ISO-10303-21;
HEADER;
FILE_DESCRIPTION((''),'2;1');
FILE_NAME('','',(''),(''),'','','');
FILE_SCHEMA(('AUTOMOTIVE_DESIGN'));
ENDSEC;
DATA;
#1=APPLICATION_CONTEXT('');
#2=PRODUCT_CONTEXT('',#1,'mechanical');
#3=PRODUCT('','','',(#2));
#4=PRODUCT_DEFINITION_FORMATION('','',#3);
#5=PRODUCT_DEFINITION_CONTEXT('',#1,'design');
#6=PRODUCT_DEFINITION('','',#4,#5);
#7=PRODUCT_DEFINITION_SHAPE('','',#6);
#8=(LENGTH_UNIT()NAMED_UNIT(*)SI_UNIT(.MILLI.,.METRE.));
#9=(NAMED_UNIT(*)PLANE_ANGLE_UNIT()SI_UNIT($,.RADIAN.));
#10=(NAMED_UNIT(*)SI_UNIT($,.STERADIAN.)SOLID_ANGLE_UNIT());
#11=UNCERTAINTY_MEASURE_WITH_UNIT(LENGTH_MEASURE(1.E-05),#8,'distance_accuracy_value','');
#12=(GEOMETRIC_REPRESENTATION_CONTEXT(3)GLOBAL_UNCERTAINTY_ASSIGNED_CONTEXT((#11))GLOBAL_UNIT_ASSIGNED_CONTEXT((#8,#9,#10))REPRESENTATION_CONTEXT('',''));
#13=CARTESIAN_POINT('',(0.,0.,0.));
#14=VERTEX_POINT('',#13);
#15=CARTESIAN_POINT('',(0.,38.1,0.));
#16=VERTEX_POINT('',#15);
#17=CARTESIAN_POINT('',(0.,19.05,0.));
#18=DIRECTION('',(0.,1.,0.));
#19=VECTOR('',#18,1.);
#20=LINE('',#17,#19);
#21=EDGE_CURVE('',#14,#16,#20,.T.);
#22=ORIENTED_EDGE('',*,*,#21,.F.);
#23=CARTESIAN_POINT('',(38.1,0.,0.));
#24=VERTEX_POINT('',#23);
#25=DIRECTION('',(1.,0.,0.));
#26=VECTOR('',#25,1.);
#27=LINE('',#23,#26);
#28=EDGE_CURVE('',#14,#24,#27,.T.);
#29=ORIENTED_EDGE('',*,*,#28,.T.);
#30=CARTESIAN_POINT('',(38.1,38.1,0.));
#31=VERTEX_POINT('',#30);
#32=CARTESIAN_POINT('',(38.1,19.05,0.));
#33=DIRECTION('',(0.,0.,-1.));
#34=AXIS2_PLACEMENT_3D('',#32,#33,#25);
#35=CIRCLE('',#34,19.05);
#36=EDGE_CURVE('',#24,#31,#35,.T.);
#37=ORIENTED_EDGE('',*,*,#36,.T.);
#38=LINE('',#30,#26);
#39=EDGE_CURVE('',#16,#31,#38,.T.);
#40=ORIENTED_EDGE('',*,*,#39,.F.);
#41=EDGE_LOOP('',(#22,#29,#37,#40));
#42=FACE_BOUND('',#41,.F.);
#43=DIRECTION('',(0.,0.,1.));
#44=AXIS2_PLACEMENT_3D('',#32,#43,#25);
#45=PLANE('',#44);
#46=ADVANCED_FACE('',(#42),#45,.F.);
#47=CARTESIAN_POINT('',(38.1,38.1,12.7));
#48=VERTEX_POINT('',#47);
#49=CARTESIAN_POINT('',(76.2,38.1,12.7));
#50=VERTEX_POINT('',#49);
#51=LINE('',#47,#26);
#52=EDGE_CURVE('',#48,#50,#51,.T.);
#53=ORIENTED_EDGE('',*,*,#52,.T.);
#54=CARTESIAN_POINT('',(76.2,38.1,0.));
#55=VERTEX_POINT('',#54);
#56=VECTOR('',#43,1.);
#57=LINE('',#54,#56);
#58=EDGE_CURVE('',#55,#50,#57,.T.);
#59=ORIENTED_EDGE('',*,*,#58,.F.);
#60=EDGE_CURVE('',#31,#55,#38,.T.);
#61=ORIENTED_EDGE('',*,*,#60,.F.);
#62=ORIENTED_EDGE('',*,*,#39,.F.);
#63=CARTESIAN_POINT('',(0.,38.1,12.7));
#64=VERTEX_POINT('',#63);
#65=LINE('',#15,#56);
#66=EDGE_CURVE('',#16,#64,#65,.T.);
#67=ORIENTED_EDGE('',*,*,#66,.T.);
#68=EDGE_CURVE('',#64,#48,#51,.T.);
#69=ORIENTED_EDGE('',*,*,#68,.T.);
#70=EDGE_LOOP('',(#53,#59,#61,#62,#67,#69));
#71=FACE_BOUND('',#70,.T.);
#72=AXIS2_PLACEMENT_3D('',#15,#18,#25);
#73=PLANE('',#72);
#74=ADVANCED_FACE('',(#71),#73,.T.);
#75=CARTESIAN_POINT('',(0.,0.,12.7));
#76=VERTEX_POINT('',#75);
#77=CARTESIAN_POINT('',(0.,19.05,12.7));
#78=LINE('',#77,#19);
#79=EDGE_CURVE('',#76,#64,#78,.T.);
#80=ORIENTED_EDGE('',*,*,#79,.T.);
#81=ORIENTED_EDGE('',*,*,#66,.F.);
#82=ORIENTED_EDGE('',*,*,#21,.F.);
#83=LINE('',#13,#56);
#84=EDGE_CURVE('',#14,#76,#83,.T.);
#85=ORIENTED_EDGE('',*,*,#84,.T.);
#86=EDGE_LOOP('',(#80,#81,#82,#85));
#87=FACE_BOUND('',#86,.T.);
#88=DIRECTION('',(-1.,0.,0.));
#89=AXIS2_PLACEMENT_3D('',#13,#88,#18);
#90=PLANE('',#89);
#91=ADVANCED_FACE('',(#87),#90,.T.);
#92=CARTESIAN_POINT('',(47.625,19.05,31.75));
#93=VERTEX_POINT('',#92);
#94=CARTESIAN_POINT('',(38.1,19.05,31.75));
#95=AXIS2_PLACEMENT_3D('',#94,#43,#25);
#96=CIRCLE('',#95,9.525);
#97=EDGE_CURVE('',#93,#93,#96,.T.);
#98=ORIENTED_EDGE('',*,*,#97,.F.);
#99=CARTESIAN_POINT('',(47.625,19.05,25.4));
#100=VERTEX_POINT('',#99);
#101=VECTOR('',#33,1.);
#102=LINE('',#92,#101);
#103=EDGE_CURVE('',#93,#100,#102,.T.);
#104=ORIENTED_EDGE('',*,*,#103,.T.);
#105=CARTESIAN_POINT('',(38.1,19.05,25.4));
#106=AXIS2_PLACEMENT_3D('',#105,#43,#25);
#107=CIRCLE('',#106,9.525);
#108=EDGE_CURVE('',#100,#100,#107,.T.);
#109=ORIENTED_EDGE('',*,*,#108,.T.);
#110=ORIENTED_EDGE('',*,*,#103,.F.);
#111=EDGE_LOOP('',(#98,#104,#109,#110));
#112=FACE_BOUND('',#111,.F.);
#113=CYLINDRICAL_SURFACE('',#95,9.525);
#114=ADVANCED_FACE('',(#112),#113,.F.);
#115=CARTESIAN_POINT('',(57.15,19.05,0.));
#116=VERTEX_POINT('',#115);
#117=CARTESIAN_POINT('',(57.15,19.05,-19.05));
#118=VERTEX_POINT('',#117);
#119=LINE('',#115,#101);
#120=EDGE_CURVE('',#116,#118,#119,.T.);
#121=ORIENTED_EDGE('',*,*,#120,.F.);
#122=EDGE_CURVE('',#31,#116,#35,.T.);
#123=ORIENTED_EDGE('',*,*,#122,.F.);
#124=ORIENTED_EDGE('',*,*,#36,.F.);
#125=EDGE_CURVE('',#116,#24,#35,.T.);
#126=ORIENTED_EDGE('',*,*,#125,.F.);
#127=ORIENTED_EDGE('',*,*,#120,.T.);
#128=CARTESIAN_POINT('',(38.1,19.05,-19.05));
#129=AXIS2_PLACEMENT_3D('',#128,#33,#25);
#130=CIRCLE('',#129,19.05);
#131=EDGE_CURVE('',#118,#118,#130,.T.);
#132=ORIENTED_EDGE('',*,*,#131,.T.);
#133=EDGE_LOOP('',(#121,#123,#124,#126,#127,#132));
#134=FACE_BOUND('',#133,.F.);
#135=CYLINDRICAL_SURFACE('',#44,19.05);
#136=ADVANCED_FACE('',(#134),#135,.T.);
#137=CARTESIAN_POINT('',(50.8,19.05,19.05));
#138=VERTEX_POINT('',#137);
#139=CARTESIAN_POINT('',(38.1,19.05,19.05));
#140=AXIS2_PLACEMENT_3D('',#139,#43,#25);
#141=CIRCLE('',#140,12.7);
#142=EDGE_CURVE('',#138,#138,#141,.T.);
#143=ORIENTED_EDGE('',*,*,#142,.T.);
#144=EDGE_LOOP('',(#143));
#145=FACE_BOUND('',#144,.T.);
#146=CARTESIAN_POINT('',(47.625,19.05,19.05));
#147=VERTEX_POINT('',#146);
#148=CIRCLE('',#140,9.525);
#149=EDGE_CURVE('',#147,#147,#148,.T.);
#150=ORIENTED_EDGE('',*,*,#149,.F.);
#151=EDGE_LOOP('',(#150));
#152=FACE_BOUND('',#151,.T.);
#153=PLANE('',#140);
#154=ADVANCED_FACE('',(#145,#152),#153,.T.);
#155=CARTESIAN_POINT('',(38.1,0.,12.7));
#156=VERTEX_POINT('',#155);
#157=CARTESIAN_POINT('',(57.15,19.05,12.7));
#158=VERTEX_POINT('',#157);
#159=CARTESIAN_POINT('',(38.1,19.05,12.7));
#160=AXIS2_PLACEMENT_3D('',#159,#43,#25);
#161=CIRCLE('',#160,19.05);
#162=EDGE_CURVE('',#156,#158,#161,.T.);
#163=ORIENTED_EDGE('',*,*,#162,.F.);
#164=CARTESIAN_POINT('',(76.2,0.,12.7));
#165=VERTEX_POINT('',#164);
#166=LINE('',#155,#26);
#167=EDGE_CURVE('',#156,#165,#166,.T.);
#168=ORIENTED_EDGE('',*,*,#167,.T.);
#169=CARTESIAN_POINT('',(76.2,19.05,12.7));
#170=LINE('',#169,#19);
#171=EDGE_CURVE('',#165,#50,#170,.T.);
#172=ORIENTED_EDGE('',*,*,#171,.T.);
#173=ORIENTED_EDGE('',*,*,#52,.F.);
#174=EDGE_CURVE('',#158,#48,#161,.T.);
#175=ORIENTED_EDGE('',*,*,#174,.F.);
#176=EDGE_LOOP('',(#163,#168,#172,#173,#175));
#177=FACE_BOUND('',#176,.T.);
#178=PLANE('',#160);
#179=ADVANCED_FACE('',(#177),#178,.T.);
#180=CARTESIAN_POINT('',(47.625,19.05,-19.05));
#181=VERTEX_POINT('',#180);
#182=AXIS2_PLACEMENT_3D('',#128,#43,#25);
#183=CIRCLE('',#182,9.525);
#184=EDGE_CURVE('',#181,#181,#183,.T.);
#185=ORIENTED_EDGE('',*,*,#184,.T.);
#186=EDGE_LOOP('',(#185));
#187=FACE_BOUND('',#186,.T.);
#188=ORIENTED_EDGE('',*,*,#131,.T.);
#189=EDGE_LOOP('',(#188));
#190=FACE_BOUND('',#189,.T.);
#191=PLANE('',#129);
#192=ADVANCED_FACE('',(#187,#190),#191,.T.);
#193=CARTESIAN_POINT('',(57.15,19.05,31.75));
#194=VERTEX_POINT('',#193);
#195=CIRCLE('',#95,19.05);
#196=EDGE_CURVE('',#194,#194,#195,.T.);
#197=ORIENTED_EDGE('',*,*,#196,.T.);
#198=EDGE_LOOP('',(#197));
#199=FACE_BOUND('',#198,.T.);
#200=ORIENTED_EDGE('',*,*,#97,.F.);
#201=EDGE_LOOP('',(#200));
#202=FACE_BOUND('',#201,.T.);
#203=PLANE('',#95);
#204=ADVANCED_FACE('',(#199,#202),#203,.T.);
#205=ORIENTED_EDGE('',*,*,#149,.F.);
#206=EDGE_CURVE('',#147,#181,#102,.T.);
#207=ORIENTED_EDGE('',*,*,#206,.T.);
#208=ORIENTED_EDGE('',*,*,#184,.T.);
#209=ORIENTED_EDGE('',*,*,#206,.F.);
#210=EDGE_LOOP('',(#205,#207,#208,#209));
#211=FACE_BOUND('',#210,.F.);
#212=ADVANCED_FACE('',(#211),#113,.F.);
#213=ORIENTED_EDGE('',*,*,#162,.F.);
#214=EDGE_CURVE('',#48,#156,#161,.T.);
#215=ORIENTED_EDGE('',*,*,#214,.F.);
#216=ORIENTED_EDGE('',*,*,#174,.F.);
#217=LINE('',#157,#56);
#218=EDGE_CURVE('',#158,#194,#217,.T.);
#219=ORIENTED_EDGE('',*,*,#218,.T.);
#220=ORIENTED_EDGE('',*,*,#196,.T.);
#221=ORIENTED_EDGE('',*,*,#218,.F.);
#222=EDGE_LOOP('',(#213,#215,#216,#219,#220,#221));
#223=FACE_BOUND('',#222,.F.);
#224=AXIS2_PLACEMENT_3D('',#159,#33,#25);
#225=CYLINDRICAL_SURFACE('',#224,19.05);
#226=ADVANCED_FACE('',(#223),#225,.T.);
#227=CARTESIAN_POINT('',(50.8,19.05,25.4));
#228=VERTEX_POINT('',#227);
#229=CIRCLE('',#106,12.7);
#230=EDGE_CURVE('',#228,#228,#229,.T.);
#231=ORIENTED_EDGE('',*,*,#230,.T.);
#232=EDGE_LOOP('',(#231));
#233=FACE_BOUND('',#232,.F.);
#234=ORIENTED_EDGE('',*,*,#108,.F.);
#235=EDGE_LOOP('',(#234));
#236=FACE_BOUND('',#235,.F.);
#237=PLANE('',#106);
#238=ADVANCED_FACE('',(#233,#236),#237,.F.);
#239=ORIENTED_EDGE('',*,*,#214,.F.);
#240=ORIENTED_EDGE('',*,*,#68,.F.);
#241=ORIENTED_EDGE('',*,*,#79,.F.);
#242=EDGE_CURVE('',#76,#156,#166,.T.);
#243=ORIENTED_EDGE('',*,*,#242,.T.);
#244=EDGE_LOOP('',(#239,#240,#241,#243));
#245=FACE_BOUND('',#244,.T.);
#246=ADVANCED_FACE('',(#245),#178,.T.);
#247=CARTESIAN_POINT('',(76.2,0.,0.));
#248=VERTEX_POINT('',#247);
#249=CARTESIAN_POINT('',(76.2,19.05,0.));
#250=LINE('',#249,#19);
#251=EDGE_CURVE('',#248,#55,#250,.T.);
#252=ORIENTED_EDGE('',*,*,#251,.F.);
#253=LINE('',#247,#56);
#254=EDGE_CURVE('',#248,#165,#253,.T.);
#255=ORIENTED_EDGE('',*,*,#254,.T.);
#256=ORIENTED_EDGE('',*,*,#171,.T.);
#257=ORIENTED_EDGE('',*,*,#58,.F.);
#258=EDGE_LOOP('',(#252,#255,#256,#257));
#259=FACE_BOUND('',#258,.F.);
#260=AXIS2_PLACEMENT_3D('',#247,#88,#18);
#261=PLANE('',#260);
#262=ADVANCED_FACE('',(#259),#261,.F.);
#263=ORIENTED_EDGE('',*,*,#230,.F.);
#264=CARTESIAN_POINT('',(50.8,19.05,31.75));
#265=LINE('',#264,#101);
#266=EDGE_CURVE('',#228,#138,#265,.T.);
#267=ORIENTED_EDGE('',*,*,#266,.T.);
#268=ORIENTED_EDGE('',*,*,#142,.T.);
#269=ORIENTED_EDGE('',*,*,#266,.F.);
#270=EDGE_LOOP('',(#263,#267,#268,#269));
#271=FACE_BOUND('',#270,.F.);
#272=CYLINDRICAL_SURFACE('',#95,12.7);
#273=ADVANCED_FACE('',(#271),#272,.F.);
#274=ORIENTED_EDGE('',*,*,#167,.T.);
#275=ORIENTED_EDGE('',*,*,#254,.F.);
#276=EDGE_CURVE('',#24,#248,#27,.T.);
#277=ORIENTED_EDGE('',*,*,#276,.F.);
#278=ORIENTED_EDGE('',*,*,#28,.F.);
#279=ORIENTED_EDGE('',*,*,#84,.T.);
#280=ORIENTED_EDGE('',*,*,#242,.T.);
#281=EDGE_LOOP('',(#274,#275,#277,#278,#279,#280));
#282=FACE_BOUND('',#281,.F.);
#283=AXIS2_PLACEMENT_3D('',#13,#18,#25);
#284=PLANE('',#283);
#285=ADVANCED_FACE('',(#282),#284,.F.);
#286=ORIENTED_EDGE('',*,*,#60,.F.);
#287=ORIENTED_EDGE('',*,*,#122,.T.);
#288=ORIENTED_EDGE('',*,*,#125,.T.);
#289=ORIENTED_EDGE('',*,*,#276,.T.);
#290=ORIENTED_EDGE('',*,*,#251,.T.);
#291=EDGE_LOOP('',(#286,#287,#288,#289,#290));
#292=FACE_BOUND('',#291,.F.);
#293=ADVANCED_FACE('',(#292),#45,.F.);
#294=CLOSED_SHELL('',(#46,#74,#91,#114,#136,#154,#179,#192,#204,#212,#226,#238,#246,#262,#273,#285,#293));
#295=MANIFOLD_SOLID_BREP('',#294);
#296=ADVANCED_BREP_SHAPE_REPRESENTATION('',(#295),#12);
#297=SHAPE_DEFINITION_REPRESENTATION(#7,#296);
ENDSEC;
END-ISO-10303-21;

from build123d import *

# Parameters (mm, degrees)
F0_W      = 76.2
F0_H      = 38.1
F1_DEPTH  = 12.7
F2_R      = 19.05
F3_DEPTH  = 19.05
F4_R      = 19.05
F5_DEPTH  = 19.05
F7_R      = 12.7
F8_DEPTH  = 12.7
F9_R      = 19.05
F10_DEPTH = 6.35
F6_R      = 9.525
F11_DEPTH = 50.801


with BuildPart() as f1:
    # F0 (on Top) → F1 (new body)
    with BuildSketch(Plane.XY):
        with Locations((38.1, 19.05)):
            Rectangle(F0_W, F0_H)
    extrude(amount=F1_DEPTH)

    # F2 (on face) → F3 (join)
    with BuildSketch(Plane.XY.offset(12.7)):
        with Locations((38.1, 19.05)):
            Circle(F2_R)
    extrude(amount=F3_DEPTH)

    # F4 (on face) → F5 (join)
    with BuildSketch(Plane(origin=(0, 0, 0), x_dir=(1, 0, 0), z_dir=(0, 0, -1))):
        with Locations((38.1, -19.05)):
            Circle(F4_R)
    extrude(amount=F5_DEPTH)

    # F7 (on face) → F8 (cut)
    with BuildSketch(Plane.XY.offset(31.75)):
        with Locations((38.1, 19.05)):
            Circle(F7_R)
    extrude(amount=-F8_DEPTH, mode=Mode.SUBTRACT)

    # F9 (on face) → F10 (join)
    with BuildSketch(Plane.XY.offset(31.75)):
        with Locations((38.1, 19.05)):
            Circle(F9_R)
    extrude(amount=-F10_DEPTH)

    # F6 (on face) → F11 (cut, through all)
    with BuildSketch(Plane.XY.offset(31.75)):
        with Locations((38.1, 19.05)):
            Circle(F6_R)
    extrude(amount=-F11_DEPTH, mode=Mode.SUBTRACT)


solid = f1.part
